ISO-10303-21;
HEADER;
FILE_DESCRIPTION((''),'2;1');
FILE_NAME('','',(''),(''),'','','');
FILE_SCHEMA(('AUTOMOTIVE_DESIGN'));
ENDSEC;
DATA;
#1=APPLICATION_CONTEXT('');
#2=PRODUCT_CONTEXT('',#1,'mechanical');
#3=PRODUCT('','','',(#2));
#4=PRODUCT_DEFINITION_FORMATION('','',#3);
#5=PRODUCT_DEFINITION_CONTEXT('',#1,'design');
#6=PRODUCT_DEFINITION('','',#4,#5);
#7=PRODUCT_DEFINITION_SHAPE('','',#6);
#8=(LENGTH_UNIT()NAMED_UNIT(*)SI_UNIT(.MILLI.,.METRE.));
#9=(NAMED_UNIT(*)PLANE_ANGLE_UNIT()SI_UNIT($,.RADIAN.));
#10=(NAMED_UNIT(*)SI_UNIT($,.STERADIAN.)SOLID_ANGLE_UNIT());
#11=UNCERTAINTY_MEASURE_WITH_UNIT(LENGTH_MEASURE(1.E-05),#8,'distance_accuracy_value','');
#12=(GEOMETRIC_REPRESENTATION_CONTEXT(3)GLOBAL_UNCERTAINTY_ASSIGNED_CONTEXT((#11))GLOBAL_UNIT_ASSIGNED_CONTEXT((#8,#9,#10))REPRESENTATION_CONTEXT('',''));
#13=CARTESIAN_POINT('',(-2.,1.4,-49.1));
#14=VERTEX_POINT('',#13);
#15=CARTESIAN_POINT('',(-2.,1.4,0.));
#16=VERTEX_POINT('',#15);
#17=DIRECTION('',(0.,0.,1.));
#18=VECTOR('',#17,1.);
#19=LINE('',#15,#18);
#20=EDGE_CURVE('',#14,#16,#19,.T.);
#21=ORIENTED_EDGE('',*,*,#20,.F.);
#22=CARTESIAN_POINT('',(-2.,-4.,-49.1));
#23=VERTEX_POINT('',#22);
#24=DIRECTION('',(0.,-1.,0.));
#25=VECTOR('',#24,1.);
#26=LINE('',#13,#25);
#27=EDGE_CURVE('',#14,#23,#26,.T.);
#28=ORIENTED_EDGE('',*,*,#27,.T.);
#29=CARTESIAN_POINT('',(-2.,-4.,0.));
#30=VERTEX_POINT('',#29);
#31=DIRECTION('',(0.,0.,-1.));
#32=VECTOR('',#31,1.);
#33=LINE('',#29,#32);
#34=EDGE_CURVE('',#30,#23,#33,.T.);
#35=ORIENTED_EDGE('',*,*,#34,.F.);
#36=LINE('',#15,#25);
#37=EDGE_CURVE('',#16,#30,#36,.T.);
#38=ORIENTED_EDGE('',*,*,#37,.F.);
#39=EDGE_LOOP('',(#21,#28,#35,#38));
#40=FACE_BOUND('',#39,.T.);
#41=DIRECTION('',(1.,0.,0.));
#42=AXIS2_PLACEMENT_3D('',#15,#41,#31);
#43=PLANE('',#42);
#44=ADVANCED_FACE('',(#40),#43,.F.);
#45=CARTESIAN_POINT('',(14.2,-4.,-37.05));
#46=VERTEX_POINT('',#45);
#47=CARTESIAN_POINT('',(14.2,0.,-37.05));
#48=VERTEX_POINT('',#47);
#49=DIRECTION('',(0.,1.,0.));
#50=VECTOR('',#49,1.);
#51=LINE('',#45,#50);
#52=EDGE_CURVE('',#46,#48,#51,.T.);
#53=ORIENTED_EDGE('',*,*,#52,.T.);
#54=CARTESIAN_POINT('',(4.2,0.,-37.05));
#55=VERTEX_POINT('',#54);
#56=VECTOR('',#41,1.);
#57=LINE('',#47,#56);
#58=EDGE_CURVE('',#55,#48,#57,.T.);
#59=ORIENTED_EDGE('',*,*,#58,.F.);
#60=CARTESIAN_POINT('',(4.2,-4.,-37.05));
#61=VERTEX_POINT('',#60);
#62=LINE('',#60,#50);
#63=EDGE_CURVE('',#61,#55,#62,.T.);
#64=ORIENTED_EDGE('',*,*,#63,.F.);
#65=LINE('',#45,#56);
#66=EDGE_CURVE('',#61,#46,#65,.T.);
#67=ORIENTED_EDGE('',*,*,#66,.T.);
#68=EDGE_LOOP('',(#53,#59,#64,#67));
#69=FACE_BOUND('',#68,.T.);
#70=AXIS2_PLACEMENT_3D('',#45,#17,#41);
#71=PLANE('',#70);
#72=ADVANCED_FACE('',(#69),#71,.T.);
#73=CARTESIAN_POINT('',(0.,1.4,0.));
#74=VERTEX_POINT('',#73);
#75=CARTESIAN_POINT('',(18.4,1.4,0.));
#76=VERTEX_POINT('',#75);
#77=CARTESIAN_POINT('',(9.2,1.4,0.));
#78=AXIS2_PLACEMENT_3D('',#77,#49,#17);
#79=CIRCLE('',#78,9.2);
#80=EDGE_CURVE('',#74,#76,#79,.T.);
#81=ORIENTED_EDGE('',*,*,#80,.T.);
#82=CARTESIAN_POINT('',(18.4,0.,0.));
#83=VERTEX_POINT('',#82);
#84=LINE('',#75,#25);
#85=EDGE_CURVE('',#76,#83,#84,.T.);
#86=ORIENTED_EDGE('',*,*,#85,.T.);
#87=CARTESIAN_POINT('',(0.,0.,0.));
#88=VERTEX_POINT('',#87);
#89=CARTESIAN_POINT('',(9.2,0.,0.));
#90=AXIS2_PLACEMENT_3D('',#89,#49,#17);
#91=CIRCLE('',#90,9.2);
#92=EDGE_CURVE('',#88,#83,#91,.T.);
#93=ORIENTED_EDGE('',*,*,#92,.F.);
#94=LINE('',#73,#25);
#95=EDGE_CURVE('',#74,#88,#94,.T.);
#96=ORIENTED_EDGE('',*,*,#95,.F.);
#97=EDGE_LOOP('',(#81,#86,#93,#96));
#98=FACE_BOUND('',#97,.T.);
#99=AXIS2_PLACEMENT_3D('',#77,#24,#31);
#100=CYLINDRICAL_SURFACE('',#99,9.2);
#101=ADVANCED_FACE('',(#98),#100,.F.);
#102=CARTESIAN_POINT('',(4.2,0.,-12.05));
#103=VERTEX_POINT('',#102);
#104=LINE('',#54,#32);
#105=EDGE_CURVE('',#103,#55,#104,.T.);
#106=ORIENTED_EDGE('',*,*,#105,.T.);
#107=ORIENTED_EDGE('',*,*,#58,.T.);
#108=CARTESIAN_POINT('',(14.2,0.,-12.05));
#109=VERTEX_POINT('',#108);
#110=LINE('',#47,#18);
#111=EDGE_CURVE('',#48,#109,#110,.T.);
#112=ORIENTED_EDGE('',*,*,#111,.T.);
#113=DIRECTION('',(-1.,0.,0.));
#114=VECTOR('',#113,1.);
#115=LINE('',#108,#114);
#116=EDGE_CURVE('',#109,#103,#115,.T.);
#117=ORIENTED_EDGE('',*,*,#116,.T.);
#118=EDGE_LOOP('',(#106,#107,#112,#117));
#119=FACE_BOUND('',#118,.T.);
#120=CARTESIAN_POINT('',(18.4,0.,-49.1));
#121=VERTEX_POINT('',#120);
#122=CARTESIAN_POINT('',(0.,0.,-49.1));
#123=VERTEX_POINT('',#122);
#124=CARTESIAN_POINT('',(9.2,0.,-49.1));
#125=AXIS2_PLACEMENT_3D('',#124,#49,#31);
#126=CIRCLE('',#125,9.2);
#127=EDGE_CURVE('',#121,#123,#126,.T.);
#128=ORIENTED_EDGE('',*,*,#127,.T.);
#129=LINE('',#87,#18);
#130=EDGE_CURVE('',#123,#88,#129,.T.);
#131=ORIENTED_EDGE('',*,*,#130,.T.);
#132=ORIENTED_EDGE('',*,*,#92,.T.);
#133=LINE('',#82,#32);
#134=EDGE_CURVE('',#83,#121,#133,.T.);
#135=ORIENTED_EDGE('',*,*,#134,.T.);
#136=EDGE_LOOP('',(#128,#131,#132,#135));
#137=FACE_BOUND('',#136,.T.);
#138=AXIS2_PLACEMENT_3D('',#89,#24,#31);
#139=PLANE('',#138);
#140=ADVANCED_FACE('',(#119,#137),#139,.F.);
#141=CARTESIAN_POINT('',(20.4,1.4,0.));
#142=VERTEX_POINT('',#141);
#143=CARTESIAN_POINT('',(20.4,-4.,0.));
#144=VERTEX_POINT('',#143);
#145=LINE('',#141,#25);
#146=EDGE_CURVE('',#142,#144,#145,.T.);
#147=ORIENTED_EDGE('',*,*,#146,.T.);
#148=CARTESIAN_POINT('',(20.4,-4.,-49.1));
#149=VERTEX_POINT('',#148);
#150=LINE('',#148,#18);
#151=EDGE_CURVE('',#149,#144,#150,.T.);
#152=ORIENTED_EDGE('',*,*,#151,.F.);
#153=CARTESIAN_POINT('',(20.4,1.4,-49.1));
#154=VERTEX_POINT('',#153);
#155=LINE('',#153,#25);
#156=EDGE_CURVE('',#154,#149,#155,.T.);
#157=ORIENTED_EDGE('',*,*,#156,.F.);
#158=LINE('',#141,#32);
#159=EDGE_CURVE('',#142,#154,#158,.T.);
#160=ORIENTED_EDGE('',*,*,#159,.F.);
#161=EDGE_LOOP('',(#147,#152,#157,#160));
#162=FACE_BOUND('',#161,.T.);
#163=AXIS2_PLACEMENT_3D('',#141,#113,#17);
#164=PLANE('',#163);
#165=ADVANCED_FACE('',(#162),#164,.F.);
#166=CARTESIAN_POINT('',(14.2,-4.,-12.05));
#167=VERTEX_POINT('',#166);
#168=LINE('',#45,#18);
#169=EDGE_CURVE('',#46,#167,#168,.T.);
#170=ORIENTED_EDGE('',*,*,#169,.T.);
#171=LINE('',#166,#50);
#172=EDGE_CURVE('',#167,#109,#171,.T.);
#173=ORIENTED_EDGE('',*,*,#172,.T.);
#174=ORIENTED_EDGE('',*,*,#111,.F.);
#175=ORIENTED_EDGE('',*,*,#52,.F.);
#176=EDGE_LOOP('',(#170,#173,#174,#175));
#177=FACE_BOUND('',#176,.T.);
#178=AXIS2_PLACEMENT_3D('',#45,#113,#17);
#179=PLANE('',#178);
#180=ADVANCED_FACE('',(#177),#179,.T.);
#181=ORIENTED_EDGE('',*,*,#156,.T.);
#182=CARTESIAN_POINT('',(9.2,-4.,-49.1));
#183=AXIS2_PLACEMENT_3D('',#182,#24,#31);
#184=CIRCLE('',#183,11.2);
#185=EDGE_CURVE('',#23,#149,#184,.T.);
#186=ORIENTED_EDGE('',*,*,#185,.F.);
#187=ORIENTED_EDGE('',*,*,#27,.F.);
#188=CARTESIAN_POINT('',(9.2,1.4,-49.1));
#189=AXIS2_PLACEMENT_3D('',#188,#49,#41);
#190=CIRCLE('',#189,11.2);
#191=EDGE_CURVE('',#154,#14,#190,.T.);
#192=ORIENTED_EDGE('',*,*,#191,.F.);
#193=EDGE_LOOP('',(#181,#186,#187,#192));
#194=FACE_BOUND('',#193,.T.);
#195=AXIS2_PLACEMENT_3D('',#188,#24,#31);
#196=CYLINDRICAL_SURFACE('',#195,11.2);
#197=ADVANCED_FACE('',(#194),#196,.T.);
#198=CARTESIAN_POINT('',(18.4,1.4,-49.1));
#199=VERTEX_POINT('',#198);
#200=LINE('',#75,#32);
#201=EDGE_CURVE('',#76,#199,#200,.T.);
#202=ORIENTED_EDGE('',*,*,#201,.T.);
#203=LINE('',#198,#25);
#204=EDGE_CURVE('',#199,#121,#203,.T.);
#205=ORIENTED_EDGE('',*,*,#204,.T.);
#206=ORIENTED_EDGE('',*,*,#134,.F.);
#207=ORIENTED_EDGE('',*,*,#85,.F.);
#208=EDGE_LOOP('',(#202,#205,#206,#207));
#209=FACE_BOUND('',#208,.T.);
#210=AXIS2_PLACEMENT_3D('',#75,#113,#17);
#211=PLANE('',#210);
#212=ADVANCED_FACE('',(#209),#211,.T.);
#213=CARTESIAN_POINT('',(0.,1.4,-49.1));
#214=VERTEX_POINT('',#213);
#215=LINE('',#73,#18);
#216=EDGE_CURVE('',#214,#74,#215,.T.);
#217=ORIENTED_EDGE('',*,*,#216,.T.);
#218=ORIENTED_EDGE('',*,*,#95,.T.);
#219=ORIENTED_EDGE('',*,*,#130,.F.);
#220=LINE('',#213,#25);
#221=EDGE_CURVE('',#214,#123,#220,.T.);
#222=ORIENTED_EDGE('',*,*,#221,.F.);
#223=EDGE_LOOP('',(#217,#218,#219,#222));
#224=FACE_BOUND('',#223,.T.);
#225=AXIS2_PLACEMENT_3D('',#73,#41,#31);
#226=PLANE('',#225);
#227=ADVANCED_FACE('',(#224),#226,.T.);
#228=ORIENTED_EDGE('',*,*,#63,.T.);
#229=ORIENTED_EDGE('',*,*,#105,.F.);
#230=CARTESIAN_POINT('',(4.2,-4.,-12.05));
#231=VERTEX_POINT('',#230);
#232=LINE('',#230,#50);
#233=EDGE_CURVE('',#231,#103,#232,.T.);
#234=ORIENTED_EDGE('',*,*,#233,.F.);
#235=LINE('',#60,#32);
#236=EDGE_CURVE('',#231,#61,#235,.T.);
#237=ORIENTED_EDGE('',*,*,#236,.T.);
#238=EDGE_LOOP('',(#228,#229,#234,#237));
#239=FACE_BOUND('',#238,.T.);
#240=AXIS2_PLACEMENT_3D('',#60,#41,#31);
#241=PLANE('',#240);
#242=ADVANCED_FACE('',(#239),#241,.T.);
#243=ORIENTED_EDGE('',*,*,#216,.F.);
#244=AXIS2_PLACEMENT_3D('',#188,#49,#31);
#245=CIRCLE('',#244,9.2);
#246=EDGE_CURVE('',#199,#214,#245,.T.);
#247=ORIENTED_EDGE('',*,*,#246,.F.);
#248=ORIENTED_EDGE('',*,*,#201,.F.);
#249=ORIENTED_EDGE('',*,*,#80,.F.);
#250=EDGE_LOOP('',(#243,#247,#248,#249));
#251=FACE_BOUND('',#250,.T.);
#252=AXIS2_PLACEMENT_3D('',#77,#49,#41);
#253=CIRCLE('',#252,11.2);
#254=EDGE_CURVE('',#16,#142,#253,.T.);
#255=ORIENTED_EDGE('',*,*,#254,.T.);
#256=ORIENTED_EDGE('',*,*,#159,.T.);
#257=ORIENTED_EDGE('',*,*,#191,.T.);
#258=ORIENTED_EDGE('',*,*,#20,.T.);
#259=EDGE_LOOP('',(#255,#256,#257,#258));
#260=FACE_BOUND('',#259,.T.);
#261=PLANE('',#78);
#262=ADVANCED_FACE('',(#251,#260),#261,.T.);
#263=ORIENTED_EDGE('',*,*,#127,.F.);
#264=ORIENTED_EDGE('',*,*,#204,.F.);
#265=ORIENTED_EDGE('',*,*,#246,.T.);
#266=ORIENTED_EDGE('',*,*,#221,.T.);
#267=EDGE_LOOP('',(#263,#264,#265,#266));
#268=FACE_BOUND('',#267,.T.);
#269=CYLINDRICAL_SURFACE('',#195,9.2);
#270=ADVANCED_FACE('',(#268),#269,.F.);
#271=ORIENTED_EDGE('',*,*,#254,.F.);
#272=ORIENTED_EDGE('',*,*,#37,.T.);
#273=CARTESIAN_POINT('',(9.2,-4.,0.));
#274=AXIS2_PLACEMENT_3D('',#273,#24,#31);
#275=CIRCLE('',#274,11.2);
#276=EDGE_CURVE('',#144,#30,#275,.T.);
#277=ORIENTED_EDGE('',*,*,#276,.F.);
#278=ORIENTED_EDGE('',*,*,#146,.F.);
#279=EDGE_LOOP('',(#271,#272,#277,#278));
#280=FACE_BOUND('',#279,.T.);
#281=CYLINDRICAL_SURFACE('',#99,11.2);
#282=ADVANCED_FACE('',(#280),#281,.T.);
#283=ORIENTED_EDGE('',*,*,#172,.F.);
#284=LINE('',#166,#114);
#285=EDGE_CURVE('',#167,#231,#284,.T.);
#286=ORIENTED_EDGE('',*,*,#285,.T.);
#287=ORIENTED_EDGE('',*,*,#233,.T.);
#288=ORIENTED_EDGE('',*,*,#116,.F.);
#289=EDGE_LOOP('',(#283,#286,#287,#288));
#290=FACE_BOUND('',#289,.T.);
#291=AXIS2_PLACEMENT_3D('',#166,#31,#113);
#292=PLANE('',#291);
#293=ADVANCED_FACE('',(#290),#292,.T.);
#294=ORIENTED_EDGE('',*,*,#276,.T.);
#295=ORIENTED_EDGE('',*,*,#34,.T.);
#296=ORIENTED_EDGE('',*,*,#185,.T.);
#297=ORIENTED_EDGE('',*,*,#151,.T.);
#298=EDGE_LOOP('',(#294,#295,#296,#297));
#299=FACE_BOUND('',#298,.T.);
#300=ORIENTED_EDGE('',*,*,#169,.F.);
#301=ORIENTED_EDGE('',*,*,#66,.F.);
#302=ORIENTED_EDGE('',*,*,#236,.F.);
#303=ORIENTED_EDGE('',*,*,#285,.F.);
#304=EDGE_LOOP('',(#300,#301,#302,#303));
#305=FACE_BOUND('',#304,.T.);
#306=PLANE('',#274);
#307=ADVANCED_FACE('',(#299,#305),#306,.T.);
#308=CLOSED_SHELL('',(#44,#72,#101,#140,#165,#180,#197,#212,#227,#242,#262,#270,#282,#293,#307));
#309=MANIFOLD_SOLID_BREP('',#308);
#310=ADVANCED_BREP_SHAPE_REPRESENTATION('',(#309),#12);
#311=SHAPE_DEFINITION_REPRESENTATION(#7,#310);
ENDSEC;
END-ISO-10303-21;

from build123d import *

# Parameters (mm, degrees)
EXTRUDE_THIN1_DEPTH = 1.4
SKETCH2_W           = 10
SKETCH2_H           = 25
BOSS_EXTRUDE1_DEPTH = 4


with BuildPart() as part:
    # Sketch1 → Extrude-Thin1 (new body)
    with BuildSketch(Plane(origin=(0, 0, 0), x_dir=(1, 0, 0), z_dir=(0, 1, 0))):
        with BuildLine():
            Line((-2, 0), (-2, 49.1))
            ThreePointArc((-2, 49.1), (9.2, 60.3), (20.4, 49.1))
            Line((20.4, 49.1), (20.4, 0))
            ThreePointArc((20.4, 0), (9.2, -11.2), (-2, 0))
        make_face()
        with BuildLine():
            Line((0, 0), (0, 49.1))
            ThreePointArc((0, 49.1), (9.2, 58.3), (18.4, 49.1))
            Line((18.4, 49.1), (18.4, 0))
            ThreePointArc((18.4, 0), (9.2, -9.2), (0, 0))
        make_face(mode=Mode.SUBTRACT)
    extrude(amount=EXTRUDE_THIN1_DEPTH)

    # Sketch2 → Boss-Extrude1 (add)
    with BuildSketch(Plane.XZ):
        with BuildLine():
            Line((-2, 0), (-2, -49.1))
            ThreePointArc((-2, -49.1), (9.2, -60.3), (20.4, -49.1))
            Line((20.4, -49.1), (20.4, 0))
            ThreePointArc((20.4, 0), (9.2, 11.2), (-2, 0))
        make_face()
        with Locations((9.2, -24.55)):
            Rectangle(SKETCH2_W, SKETCH2_H, mode=Mode.SUBTRACT)
    extrude(amount=BOSS_EXTRUDE1_DEPTH)


solid = part.part
